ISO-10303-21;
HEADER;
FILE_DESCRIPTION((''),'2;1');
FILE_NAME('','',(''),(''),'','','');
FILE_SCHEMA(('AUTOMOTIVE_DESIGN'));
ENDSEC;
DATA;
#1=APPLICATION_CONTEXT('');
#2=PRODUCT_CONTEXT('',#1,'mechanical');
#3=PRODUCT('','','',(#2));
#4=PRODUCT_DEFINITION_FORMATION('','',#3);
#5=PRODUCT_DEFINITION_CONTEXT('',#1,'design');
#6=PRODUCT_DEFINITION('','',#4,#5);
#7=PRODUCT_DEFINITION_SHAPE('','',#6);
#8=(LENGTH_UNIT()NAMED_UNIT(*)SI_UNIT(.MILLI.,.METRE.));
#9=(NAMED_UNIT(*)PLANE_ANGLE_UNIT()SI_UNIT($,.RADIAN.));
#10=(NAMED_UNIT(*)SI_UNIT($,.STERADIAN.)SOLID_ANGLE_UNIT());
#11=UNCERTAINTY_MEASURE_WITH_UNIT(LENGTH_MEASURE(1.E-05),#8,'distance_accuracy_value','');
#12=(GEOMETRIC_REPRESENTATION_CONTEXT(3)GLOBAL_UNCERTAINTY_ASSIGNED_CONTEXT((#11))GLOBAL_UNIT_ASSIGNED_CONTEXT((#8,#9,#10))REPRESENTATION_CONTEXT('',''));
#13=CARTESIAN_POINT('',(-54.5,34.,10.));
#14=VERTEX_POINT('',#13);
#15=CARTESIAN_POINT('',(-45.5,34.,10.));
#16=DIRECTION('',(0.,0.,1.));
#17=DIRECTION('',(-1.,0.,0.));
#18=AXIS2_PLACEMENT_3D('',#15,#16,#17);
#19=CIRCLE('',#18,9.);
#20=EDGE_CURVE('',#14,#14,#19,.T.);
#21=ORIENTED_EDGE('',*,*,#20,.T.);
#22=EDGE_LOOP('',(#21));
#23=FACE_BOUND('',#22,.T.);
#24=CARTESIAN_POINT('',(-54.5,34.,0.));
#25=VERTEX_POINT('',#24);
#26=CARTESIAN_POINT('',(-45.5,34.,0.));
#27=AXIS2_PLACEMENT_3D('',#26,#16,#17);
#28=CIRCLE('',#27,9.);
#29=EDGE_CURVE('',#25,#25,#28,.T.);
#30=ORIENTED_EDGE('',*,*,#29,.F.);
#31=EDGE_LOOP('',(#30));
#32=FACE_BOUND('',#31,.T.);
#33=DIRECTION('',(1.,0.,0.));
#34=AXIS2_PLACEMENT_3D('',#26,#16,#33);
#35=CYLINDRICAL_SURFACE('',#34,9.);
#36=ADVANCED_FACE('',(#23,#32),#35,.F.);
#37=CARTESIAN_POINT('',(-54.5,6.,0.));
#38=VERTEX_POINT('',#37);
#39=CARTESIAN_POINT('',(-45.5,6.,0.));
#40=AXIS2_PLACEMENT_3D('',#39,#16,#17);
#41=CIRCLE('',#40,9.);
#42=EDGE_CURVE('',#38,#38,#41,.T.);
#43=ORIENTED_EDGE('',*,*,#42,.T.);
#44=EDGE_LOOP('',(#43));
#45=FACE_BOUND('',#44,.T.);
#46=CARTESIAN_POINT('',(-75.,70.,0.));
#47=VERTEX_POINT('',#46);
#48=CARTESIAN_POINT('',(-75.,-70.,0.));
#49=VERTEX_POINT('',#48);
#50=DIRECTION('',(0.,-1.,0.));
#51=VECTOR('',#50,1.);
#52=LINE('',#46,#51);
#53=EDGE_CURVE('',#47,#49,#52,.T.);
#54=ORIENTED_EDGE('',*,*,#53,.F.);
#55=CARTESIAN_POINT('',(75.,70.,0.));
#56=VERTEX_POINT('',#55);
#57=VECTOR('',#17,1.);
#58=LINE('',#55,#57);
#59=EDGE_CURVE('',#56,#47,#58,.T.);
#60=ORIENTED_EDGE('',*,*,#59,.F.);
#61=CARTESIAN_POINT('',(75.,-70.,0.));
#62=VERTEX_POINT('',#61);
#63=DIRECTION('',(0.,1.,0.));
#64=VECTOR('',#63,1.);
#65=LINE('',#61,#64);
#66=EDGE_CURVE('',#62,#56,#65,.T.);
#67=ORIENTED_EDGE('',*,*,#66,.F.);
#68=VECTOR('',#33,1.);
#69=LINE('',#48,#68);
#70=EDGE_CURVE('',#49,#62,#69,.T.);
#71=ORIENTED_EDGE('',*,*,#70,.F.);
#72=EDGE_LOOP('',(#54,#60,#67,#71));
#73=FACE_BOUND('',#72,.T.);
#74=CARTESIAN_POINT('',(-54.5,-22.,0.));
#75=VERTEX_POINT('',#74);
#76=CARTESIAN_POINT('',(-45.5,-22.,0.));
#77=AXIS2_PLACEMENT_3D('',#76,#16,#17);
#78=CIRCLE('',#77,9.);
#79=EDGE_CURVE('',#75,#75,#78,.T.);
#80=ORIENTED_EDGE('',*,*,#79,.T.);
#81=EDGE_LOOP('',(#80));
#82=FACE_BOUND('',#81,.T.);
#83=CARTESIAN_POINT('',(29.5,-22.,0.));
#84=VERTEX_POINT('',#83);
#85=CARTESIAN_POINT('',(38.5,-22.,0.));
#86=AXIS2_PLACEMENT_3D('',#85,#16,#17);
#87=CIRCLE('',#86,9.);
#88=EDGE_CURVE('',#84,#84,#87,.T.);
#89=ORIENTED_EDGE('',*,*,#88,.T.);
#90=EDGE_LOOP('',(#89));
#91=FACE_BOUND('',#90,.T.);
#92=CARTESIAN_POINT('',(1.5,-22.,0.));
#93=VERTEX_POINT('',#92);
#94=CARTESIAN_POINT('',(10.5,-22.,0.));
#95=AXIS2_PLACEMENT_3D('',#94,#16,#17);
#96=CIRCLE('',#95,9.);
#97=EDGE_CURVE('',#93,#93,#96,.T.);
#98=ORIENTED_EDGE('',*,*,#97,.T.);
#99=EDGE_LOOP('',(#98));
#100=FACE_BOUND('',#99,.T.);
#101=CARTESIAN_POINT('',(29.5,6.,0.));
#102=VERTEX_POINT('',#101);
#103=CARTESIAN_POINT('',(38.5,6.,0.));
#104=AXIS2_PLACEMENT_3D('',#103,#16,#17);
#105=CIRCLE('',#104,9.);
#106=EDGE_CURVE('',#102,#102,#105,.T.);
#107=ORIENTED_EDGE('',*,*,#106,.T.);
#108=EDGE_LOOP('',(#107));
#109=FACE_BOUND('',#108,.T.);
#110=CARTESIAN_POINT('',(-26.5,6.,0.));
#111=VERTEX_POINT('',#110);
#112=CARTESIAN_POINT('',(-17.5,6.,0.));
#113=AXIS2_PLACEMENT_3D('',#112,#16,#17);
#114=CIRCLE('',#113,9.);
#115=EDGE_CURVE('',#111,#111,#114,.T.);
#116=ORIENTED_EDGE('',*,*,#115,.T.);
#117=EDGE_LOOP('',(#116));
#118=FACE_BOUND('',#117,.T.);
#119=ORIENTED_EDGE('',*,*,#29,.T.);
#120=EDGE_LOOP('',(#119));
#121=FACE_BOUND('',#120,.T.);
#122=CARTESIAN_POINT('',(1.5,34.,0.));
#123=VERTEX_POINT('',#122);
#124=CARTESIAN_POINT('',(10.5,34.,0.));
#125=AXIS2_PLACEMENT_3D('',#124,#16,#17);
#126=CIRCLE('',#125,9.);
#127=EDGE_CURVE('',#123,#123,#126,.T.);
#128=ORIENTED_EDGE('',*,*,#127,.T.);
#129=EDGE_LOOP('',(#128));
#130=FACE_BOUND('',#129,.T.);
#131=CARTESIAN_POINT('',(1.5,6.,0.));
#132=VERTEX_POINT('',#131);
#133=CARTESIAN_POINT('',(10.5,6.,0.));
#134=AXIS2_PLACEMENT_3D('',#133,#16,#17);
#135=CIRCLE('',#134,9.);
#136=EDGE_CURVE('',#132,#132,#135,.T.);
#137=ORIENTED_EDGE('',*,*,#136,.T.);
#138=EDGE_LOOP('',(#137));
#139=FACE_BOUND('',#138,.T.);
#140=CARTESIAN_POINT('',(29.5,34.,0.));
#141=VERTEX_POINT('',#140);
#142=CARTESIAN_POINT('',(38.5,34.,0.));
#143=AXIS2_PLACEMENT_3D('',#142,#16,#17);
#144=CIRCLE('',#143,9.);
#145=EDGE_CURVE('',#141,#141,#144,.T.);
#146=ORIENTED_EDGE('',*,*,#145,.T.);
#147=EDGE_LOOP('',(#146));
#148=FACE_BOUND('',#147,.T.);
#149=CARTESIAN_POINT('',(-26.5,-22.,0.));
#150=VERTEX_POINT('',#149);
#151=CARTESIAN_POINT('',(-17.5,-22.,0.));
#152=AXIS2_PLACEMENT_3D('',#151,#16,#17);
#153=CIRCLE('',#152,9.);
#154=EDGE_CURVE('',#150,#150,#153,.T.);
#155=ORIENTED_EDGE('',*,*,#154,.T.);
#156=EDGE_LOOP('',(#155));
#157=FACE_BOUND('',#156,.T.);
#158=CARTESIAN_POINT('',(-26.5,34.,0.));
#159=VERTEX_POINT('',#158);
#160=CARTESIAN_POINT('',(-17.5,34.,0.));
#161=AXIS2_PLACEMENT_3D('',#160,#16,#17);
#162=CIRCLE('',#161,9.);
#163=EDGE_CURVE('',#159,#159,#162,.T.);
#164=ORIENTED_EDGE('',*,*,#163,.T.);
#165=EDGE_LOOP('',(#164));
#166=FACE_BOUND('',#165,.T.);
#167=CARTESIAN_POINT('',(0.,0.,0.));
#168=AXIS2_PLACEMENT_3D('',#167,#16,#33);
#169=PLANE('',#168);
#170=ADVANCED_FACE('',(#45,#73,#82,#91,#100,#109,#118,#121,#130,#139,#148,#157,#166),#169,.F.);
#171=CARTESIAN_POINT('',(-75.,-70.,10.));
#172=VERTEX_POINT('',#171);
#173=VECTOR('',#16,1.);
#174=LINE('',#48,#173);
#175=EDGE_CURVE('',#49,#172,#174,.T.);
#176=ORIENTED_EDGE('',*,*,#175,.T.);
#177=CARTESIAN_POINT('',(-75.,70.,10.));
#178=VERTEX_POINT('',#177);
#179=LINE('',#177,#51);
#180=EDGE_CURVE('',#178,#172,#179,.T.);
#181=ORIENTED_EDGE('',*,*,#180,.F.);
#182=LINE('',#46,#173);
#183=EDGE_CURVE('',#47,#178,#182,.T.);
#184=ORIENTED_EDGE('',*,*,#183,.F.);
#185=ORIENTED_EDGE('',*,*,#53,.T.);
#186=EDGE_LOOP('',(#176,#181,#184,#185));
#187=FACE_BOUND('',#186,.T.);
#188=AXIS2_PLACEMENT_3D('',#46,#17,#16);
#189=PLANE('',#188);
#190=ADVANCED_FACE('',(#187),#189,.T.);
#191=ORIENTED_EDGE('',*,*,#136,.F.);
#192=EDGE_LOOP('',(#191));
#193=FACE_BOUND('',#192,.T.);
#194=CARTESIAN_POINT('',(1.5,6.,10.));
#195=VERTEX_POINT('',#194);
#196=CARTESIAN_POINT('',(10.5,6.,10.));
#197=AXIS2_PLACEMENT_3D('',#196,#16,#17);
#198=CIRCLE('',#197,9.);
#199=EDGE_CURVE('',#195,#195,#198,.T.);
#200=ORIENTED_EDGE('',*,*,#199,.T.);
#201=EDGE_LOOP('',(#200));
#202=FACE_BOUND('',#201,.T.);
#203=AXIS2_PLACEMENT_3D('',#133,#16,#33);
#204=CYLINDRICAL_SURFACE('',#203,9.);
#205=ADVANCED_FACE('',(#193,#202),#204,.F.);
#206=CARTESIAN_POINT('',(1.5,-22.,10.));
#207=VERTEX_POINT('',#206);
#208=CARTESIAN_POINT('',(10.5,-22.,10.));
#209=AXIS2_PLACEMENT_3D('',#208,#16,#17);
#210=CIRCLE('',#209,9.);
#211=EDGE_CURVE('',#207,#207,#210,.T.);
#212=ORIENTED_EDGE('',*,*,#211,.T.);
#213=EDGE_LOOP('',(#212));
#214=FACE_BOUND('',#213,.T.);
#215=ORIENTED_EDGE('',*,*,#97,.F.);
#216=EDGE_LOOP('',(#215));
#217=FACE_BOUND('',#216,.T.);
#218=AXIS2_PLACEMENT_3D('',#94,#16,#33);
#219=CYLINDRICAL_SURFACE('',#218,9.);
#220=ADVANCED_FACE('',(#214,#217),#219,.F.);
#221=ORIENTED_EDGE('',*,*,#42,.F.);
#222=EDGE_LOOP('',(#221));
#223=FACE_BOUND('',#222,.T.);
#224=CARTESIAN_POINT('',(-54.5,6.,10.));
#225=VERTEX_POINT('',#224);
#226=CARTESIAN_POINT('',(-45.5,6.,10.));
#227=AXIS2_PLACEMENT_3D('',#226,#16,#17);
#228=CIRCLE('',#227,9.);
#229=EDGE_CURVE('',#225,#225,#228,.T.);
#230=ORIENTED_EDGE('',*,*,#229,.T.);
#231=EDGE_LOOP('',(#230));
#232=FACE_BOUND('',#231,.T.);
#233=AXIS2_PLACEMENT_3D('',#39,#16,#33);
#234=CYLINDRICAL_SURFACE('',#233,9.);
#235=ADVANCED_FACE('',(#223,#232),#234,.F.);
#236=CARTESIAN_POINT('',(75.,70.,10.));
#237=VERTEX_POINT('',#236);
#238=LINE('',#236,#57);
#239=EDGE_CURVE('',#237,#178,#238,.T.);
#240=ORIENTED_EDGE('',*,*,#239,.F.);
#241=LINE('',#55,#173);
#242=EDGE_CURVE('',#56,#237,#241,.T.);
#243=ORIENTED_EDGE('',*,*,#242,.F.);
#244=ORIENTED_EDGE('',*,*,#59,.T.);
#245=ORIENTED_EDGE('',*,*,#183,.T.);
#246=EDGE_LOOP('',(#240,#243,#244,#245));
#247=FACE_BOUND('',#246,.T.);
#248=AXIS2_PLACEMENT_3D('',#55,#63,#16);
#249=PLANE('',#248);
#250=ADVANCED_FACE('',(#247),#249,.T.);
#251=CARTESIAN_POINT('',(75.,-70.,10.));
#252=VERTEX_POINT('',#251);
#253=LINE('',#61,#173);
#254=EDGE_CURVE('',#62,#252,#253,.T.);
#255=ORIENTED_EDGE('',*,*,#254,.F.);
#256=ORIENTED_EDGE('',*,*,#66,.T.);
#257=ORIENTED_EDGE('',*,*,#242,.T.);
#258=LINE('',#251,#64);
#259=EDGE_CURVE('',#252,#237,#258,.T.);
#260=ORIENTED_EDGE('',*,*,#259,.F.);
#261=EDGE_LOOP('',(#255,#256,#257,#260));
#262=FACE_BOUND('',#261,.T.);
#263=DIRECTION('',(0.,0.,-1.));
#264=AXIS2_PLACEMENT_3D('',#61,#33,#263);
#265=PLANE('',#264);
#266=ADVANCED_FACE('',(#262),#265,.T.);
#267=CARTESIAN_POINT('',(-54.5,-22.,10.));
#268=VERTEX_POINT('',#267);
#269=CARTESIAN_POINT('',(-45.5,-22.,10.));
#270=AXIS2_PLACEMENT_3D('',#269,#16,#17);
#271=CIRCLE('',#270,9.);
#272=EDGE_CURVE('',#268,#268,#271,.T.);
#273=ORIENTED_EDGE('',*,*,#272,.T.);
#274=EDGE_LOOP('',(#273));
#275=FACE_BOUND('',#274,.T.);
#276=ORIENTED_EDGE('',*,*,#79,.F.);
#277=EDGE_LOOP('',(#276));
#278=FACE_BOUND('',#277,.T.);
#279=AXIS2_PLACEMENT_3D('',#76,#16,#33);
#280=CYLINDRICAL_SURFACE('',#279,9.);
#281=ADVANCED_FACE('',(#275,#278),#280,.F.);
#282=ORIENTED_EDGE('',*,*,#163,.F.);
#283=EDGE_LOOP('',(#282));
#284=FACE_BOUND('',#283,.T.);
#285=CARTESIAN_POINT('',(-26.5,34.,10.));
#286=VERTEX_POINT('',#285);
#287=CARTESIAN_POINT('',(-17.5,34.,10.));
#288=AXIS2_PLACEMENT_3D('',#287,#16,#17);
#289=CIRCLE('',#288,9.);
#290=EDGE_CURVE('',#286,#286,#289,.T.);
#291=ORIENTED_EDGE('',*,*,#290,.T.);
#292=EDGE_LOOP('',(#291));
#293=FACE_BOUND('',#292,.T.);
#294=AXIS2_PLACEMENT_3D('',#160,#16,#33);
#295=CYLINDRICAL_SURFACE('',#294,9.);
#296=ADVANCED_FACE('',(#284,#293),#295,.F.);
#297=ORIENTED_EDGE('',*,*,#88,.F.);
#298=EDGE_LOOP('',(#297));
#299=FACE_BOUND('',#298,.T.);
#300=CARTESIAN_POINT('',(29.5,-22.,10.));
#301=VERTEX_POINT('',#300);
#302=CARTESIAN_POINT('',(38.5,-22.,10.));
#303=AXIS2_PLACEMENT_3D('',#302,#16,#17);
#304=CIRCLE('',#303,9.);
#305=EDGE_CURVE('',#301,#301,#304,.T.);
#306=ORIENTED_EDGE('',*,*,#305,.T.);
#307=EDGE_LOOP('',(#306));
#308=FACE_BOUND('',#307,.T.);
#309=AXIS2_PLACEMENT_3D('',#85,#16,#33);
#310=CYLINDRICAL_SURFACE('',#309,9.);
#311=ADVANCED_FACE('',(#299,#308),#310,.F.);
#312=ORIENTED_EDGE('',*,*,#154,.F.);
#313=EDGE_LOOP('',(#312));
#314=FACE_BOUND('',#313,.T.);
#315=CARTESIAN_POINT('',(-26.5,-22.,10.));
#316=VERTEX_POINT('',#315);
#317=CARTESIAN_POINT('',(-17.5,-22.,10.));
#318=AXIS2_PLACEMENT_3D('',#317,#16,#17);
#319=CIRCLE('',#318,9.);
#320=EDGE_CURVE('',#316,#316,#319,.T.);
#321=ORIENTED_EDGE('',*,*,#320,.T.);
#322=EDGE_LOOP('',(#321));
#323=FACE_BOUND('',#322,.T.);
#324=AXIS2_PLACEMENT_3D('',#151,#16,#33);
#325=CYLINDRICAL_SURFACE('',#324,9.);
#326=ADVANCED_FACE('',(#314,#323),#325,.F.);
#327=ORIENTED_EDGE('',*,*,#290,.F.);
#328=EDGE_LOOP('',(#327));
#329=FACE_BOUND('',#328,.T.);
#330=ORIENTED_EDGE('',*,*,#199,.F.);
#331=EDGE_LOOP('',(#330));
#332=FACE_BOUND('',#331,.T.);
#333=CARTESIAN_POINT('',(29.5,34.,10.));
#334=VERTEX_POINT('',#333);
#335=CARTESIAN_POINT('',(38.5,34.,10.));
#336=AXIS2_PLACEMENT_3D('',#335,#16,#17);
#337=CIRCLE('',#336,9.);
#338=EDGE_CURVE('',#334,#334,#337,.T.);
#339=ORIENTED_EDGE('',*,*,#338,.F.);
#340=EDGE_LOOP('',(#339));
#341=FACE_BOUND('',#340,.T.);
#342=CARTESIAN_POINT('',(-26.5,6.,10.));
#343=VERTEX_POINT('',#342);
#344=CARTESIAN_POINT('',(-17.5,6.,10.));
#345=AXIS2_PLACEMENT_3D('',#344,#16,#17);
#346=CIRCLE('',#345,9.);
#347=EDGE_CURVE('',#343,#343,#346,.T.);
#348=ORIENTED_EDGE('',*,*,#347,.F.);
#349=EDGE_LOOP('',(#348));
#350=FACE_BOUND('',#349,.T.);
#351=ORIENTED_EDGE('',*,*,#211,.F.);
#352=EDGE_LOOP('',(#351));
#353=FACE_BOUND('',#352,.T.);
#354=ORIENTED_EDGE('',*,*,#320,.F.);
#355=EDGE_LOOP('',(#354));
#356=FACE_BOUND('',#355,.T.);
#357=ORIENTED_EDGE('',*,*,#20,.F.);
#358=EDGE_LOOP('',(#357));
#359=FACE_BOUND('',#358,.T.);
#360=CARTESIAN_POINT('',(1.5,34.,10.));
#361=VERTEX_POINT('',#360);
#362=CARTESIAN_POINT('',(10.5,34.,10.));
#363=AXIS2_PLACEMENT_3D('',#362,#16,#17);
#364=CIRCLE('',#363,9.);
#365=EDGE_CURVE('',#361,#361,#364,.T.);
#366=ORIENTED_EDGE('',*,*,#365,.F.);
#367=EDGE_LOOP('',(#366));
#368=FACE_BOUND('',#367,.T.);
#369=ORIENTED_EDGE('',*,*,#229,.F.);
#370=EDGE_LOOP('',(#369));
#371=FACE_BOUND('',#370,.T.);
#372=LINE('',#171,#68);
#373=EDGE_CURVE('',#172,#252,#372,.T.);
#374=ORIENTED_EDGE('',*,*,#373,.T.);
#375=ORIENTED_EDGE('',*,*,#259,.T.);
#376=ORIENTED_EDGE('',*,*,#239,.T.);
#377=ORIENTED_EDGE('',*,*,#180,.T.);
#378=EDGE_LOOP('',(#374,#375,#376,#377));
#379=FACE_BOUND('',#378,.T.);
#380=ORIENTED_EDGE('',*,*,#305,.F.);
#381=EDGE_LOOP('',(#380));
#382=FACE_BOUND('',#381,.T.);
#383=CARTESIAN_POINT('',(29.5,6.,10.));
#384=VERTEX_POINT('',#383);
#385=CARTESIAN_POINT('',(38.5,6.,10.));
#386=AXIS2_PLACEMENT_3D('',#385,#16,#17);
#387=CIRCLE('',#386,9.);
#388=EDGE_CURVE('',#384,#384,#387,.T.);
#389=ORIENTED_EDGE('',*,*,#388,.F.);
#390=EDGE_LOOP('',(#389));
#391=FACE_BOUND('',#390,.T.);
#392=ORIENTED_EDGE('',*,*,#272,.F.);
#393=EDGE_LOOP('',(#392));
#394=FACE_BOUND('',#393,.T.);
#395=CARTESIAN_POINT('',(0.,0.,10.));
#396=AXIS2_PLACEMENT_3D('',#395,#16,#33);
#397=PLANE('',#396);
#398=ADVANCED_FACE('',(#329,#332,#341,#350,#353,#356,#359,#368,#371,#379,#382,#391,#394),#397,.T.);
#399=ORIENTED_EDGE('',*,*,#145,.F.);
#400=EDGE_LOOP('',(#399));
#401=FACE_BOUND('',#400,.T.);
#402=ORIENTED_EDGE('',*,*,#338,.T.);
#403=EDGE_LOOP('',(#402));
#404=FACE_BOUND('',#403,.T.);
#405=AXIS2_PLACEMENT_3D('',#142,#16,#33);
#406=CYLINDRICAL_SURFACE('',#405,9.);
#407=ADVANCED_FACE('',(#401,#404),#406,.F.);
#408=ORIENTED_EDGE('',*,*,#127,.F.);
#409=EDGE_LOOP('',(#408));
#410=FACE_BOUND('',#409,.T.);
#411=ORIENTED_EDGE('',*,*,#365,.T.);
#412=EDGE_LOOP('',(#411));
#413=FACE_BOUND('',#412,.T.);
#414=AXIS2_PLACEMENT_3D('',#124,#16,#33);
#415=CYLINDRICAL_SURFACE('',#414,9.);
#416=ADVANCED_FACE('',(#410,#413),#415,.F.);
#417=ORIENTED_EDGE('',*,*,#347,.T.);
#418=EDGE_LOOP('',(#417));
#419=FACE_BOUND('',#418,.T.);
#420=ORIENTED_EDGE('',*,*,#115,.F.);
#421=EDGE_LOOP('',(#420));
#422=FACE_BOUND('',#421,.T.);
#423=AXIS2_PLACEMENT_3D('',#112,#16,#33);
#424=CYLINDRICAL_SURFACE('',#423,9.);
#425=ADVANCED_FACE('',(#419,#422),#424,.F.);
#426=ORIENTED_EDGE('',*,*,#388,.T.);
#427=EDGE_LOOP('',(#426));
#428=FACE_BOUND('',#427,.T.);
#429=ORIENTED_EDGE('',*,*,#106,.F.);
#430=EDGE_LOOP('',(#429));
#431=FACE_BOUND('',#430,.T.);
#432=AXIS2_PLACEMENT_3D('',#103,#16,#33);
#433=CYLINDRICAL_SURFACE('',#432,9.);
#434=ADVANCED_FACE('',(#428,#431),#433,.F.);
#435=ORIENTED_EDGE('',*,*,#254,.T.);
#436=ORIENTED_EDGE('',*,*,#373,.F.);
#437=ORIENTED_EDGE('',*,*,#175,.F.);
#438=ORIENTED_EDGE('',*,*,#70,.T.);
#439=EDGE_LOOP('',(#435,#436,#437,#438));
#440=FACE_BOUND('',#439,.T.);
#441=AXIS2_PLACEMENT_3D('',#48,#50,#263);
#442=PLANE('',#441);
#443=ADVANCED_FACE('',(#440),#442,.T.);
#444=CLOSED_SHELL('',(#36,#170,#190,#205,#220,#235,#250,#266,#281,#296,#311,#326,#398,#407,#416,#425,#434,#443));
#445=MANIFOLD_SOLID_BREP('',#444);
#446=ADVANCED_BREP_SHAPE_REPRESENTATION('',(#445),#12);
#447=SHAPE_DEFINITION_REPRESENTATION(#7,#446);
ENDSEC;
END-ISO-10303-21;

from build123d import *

# Parameters (mm, degrees)
SKETCH1_W           = 150
SKETCH1_H           = 140
SKETCH1_R           = 9
BOSS_EXTRUDE1_DEPTH = 10


with BuildPart() as part:
    # Sketch1 → Boss-Extrude1 (new body)
    with BuildSketch(Plane.XY.offset(10)):
        Rectangle(SKETCH1_W, SKETCH1_H)
        with Locations(Location((-17.5, -22, 0), (0, 0, 180))):
            Circle(SKETCH1_R, mode=Mode.SUBTRACT)
        with Locations(Location((-45.5, -22, 0), (0, 0, 180))):
            Circle(SKETCH1_R, mode=Mode.SUBTRACT)
        with Locations(Location((10.5, -22, 0), (0, 0, 180))):
            Circle(SKETCH1_R, mode=Mode.SUBTRACT)
        with Locations(Location((38.5, -22, 0), (0, 0, 180))):
            Circle(SKETCH1_R, mode=Mode.SUBTRACT)
        with Locations(Location((-45.5, 6, 0), (0, 0, 180))):
            Circle(SKETCH1_R, mode=Mode.SUBTRACT)
        with Locations(Location((-17.5, 6, 0), (0, 0, 180))):
            Circle(SKETCH1_R, mode=Mode.SUBTRACT)
        with Locations(Location((10.5, 6, 0), (0, 0, 180))):
            Circle(SKETCH1_R, mode=Mode.SUBTRACT)
        with Locations(Location((38.5, 6, 0), (0, 0, 180))):
            Circle(SKETCH1_R, mode=Mode.SUBTRACT)
        with Locations(Location((-45.5, 34, 0), (0, 0, 180))):
            Circle(SKETCH1_R, mode=Mode.SUBTRACT)
        with Locations(Location((-17.5, 34, 0), (0, 0, 180))):
            Circle(SKETCH1_R, mode=Mode.SUBTRACT)
        with Locations(Location((10.5, 34, 0), (0, 0, 180))):
            Circle(SKETCH1_R, mode=Mode.SUBTRACT)
        with Locations(Location((38.5, 34, 0), (0, 0, 180))):
            Circle(SKETCH1_R, mode=Mode.SUBTRACT)
    extrude(amount=-BOSS_EXTRUDE1_DEPTH)


solid = part.part
